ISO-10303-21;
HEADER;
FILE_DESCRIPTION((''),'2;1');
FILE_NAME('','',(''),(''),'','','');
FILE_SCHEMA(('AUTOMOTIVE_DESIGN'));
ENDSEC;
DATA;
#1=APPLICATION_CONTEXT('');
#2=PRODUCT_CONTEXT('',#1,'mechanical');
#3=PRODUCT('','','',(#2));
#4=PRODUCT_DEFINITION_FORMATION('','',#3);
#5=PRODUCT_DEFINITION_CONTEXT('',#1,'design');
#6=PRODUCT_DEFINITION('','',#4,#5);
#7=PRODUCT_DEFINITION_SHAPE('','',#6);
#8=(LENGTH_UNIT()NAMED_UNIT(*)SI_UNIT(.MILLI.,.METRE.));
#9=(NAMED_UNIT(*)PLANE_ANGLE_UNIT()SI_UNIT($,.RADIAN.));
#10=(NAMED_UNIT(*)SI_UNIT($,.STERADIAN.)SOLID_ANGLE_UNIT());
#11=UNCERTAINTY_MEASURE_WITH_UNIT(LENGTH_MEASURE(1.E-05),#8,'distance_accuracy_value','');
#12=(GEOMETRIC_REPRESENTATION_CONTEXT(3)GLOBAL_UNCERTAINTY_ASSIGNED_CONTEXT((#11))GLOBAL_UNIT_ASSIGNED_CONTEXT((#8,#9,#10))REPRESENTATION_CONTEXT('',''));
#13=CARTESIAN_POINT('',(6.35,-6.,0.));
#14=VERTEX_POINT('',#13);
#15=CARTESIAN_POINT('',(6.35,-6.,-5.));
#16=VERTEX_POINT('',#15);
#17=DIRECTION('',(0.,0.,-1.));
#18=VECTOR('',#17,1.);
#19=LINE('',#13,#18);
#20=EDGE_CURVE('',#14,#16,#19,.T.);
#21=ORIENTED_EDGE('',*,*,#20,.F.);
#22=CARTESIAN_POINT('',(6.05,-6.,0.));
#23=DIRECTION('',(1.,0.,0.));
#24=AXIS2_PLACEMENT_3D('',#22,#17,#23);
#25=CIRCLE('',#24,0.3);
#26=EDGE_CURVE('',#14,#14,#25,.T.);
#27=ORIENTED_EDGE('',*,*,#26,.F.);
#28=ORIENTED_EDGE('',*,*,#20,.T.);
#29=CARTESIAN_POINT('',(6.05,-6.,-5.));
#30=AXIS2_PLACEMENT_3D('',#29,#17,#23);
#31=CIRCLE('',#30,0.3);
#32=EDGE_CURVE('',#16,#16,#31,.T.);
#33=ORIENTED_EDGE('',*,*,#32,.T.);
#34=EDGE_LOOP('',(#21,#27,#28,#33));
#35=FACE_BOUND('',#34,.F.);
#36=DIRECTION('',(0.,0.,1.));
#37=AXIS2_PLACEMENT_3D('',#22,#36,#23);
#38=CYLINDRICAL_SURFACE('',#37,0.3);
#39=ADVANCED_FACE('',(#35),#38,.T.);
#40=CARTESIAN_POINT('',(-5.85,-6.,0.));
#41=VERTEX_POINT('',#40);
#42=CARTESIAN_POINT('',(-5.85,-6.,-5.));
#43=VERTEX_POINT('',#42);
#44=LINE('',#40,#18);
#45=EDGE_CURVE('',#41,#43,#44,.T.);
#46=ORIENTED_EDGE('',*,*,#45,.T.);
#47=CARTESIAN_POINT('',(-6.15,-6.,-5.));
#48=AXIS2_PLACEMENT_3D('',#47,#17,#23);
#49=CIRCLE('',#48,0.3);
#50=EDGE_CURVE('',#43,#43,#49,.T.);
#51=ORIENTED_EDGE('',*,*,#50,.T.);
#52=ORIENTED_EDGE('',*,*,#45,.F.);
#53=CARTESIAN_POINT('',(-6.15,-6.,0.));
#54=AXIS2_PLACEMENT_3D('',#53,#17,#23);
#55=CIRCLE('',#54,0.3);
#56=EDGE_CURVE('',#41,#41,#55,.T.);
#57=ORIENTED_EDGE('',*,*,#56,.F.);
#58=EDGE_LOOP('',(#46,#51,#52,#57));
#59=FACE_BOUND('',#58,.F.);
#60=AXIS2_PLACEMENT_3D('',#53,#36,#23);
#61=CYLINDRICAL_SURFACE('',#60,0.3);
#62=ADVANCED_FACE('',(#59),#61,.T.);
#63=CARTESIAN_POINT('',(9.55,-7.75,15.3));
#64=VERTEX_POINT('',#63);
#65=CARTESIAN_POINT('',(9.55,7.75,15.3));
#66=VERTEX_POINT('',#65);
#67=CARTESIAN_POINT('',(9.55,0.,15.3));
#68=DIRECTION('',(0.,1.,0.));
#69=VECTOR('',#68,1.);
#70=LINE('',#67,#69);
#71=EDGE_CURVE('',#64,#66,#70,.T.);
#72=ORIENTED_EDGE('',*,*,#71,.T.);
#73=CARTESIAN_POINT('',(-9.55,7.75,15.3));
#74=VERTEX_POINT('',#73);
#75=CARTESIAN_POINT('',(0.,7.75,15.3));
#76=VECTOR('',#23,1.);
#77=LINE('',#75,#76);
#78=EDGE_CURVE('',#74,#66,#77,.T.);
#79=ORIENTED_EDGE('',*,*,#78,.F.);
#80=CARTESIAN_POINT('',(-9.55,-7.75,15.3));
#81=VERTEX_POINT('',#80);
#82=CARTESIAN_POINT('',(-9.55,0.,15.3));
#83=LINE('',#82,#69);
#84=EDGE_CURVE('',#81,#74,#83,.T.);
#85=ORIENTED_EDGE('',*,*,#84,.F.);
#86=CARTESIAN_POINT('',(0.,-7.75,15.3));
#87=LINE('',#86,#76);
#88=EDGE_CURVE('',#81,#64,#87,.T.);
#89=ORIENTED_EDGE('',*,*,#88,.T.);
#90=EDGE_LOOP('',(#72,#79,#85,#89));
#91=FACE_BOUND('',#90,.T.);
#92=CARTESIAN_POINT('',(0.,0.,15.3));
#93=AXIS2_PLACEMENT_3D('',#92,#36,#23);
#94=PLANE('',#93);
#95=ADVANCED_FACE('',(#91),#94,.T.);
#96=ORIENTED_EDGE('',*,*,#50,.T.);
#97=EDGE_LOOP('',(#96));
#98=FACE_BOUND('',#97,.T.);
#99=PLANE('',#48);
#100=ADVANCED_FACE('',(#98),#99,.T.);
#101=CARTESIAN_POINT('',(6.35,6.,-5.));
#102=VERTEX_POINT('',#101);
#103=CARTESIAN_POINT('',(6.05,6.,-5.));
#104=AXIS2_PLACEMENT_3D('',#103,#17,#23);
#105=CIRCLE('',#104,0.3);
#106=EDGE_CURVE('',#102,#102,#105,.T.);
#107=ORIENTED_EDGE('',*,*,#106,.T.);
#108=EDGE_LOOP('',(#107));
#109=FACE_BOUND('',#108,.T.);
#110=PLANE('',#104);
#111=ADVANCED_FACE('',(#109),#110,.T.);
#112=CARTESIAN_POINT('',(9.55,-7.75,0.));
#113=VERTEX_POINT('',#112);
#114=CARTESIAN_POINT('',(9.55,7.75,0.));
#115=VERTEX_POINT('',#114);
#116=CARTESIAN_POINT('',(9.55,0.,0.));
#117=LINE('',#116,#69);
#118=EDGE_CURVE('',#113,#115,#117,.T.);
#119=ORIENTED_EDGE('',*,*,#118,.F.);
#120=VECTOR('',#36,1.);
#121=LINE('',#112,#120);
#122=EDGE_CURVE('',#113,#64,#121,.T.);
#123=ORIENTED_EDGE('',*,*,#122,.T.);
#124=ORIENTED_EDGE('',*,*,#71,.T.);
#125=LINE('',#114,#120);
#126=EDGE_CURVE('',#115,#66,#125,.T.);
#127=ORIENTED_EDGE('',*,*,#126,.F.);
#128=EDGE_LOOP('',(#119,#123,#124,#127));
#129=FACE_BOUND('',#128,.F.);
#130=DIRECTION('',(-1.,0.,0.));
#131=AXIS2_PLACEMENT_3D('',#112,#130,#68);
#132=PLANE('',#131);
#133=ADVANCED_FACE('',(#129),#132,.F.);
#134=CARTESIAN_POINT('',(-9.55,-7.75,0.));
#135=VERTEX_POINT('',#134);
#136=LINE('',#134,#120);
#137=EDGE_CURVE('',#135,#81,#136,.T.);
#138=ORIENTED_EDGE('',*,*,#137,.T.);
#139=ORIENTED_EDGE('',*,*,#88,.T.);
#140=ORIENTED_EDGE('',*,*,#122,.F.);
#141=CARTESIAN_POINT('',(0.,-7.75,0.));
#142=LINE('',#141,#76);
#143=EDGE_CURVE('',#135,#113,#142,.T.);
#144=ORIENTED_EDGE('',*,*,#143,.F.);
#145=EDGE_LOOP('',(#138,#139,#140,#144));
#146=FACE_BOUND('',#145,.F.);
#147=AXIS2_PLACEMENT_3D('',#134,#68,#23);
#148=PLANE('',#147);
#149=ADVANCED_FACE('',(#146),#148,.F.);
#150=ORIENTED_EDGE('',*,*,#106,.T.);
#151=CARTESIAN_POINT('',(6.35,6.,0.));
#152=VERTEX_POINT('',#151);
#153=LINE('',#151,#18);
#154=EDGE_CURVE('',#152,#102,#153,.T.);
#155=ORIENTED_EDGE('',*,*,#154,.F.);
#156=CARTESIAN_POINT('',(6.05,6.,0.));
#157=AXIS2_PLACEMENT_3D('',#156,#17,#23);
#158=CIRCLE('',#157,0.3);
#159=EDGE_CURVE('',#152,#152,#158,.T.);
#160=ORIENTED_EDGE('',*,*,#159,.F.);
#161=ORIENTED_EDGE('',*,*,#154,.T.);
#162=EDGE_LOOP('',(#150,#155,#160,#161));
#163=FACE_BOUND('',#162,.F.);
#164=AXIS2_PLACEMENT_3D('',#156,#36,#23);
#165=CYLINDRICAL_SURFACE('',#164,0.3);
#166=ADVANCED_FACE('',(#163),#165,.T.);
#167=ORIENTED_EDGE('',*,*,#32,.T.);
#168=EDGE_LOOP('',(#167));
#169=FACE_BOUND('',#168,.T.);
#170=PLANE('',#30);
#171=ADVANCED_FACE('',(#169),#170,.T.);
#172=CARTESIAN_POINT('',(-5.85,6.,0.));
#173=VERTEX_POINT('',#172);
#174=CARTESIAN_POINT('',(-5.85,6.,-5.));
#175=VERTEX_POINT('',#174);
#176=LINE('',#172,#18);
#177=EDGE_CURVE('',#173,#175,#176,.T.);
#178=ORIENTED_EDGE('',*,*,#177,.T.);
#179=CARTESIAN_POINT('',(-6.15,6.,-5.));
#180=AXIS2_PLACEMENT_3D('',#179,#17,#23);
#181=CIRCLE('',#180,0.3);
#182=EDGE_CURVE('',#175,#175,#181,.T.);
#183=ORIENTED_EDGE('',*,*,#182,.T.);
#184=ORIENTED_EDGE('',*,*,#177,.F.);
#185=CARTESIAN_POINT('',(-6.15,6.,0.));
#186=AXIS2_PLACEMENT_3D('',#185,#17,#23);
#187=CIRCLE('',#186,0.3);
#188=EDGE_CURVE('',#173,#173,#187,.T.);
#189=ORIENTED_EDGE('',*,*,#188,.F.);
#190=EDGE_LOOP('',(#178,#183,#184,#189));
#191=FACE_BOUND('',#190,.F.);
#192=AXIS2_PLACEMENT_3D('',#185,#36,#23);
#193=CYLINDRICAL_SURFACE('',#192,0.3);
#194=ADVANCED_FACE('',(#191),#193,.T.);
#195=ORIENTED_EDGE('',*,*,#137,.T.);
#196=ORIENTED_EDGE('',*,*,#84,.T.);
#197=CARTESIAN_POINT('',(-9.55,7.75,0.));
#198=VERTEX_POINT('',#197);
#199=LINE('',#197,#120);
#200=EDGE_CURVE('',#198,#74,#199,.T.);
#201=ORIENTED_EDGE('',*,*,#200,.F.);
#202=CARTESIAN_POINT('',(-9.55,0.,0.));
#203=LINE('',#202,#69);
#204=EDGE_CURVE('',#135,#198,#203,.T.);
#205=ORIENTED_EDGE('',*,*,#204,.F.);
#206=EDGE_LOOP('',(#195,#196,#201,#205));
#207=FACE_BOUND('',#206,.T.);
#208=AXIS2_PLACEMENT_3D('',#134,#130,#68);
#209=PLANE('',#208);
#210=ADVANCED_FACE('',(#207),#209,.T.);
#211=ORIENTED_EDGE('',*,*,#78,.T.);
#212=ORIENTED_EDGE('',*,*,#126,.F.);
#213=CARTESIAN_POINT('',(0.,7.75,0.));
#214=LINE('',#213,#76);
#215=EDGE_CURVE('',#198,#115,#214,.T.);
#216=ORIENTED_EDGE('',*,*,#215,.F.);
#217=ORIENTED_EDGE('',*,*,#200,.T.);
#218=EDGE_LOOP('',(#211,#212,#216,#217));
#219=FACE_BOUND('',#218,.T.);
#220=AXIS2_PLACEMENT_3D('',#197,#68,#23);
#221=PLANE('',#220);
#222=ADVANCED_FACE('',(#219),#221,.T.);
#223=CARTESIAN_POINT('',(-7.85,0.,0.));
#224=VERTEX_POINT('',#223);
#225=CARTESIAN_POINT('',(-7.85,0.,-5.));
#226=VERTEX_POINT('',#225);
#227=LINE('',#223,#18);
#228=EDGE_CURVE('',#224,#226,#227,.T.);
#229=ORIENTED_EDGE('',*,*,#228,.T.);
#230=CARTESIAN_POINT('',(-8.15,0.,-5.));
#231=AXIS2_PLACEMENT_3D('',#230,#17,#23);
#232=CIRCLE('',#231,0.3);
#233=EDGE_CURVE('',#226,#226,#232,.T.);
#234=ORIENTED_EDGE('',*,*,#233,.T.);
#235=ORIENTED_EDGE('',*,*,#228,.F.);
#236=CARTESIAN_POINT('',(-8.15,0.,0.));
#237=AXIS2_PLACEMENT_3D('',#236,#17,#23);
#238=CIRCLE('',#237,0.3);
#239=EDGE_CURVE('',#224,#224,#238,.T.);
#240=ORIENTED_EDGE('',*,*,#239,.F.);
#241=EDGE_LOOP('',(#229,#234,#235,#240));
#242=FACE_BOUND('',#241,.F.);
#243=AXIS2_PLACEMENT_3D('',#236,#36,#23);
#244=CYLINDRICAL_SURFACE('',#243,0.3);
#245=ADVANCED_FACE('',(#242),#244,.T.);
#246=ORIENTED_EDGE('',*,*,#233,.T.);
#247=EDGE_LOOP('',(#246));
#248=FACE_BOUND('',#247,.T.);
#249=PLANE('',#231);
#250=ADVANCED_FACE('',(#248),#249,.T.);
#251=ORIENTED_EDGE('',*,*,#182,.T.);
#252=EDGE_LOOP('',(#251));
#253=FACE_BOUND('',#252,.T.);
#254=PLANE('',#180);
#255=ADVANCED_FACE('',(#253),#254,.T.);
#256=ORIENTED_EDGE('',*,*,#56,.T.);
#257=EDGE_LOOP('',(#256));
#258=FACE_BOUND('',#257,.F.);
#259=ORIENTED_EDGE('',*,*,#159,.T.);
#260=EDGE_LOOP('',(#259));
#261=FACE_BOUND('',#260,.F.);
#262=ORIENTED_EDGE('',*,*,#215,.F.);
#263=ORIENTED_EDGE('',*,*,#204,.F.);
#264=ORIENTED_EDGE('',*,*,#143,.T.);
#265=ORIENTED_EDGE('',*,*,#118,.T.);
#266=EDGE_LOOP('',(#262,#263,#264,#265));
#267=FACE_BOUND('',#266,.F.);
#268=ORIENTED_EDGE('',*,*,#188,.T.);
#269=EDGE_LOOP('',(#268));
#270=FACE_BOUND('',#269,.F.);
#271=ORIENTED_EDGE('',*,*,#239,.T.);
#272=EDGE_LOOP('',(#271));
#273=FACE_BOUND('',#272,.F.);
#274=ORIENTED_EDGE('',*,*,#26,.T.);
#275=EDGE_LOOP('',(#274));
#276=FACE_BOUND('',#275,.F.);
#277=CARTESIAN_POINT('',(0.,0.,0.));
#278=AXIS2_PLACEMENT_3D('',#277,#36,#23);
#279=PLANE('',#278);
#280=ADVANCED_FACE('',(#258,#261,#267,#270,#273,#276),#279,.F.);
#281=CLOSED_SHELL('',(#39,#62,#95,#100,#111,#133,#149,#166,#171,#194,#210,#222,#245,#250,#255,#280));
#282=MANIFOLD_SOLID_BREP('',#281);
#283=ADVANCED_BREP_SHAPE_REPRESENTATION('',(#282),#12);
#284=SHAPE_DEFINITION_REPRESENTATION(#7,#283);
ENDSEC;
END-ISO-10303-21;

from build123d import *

# Parameters (mm, degrees)
F0_W     = 19.1
F0_H     = 15.5
F1_DEPTH = 15.3
F2_R     = 0.3
F3_DEPTH = 5


with BuildPart() as f1:
    # F0 (on Top) → F1 (new body)
    with BuildSketch(Plane.XY):
        Rectangle(F0_W, F0_H)
    extrude(amount=F1_DEPTH)

    # F2 (on face) → F3 (join)
    with BuildSketch(Plane(origin=(0, 0, 0), x_dir=(1, 0, 0), z_dir=(0, 0, -1))):
        with Locations((-6.15, 6)):
            Circle(F2_R)
        with Locations((-6.15, -6)):
            Circle(F2_R)
        with Locations((-8.15, 0)):
            Circle(F2_R)
        with Locations((6.05, 6)):
            Circle(F2_R)
        with Locations((6.05, -6)):
            Circle(F2_R)
    extrude(amount=F3_DEPTH)


solid = f1.part
